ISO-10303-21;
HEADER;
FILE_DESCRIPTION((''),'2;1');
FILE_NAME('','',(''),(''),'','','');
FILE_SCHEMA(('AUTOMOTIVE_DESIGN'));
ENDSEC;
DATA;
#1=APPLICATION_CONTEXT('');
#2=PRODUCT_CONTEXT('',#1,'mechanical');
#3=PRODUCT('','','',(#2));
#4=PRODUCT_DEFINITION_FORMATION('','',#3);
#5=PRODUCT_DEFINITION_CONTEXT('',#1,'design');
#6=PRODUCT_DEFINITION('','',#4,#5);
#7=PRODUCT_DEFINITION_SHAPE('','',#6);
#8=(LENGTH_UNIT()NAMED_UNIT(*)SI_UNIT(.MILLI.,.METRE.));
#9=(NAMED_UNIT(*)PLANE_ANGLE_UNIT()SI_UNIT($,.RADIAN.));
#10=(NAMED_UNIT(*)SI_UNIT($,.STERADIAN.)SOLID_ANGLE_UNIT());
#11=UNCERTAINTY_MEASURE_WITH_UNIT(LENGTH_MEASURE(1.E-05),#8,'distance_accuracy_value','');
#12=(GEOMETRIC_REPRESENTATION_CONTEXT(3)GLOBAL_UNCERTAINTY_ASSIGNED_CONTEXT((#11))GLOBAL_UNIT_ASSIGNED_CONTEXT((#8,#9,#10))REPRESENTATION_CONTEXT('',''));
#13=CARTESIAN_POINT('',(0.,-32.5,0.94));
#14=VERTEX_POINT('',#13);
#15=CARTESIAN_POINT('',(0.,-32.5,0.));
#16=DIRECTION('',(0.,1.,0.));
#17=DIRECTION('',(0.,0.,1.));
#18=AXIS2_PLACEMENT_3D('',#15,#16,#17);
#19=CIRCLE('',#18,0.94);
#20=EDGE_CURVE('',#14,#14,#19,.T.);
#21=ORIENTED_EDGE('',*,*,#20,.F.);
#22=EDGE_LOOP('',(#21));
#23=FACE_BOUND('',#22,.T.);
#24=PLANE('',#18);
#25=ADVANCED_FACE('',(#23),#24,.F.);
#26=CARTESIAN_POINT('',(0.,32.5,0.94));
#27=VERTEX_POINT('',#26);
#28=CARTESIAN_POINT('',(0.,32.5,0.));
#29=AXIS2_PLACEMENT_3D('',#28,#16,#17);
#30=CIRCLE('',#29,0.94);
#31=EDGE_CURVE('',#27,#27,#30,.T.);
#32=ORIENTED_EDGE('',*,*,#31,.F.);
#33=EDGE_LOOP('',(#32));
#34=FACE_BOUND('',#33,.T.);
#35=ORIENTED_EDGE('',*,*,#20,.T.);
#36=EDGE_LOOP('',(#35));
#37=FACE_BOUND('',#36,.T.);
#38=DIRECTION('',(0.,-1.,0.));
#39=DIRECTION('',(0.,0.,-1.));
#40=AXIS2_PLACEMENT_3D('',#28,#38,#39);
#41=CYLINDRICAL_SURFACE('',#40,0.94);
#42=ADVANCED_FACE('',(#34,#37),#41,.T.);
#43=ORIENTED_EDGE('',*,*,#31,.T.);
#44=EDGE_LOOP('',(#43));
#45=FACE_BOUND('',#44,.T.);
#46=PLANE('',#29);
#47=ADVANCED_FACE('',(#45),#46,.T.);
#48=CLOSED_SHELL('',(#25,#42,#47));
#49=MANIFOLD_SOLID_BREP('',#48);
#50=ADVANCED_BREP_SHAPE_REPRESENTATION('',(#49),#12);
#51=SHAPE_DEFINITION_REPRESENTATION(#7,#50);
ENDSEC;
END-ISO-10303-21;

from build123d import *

# Parameters (mm, degrees)
SKETCH1_R = 0.94
ROD_DEPTH = 32.5


with BuildPart() as part:
    # Sketch1 → Rod (new body, symmetric)
    with BuildSketch(Plane(origin=(0, 0, 0), x_dir=(1, 0, 0), z_dir=(0, 1, 0))):
        Circle(SKETCH1_R)
    extrude(amount=ROD_DEPTH, both=True)


solid = part.part
